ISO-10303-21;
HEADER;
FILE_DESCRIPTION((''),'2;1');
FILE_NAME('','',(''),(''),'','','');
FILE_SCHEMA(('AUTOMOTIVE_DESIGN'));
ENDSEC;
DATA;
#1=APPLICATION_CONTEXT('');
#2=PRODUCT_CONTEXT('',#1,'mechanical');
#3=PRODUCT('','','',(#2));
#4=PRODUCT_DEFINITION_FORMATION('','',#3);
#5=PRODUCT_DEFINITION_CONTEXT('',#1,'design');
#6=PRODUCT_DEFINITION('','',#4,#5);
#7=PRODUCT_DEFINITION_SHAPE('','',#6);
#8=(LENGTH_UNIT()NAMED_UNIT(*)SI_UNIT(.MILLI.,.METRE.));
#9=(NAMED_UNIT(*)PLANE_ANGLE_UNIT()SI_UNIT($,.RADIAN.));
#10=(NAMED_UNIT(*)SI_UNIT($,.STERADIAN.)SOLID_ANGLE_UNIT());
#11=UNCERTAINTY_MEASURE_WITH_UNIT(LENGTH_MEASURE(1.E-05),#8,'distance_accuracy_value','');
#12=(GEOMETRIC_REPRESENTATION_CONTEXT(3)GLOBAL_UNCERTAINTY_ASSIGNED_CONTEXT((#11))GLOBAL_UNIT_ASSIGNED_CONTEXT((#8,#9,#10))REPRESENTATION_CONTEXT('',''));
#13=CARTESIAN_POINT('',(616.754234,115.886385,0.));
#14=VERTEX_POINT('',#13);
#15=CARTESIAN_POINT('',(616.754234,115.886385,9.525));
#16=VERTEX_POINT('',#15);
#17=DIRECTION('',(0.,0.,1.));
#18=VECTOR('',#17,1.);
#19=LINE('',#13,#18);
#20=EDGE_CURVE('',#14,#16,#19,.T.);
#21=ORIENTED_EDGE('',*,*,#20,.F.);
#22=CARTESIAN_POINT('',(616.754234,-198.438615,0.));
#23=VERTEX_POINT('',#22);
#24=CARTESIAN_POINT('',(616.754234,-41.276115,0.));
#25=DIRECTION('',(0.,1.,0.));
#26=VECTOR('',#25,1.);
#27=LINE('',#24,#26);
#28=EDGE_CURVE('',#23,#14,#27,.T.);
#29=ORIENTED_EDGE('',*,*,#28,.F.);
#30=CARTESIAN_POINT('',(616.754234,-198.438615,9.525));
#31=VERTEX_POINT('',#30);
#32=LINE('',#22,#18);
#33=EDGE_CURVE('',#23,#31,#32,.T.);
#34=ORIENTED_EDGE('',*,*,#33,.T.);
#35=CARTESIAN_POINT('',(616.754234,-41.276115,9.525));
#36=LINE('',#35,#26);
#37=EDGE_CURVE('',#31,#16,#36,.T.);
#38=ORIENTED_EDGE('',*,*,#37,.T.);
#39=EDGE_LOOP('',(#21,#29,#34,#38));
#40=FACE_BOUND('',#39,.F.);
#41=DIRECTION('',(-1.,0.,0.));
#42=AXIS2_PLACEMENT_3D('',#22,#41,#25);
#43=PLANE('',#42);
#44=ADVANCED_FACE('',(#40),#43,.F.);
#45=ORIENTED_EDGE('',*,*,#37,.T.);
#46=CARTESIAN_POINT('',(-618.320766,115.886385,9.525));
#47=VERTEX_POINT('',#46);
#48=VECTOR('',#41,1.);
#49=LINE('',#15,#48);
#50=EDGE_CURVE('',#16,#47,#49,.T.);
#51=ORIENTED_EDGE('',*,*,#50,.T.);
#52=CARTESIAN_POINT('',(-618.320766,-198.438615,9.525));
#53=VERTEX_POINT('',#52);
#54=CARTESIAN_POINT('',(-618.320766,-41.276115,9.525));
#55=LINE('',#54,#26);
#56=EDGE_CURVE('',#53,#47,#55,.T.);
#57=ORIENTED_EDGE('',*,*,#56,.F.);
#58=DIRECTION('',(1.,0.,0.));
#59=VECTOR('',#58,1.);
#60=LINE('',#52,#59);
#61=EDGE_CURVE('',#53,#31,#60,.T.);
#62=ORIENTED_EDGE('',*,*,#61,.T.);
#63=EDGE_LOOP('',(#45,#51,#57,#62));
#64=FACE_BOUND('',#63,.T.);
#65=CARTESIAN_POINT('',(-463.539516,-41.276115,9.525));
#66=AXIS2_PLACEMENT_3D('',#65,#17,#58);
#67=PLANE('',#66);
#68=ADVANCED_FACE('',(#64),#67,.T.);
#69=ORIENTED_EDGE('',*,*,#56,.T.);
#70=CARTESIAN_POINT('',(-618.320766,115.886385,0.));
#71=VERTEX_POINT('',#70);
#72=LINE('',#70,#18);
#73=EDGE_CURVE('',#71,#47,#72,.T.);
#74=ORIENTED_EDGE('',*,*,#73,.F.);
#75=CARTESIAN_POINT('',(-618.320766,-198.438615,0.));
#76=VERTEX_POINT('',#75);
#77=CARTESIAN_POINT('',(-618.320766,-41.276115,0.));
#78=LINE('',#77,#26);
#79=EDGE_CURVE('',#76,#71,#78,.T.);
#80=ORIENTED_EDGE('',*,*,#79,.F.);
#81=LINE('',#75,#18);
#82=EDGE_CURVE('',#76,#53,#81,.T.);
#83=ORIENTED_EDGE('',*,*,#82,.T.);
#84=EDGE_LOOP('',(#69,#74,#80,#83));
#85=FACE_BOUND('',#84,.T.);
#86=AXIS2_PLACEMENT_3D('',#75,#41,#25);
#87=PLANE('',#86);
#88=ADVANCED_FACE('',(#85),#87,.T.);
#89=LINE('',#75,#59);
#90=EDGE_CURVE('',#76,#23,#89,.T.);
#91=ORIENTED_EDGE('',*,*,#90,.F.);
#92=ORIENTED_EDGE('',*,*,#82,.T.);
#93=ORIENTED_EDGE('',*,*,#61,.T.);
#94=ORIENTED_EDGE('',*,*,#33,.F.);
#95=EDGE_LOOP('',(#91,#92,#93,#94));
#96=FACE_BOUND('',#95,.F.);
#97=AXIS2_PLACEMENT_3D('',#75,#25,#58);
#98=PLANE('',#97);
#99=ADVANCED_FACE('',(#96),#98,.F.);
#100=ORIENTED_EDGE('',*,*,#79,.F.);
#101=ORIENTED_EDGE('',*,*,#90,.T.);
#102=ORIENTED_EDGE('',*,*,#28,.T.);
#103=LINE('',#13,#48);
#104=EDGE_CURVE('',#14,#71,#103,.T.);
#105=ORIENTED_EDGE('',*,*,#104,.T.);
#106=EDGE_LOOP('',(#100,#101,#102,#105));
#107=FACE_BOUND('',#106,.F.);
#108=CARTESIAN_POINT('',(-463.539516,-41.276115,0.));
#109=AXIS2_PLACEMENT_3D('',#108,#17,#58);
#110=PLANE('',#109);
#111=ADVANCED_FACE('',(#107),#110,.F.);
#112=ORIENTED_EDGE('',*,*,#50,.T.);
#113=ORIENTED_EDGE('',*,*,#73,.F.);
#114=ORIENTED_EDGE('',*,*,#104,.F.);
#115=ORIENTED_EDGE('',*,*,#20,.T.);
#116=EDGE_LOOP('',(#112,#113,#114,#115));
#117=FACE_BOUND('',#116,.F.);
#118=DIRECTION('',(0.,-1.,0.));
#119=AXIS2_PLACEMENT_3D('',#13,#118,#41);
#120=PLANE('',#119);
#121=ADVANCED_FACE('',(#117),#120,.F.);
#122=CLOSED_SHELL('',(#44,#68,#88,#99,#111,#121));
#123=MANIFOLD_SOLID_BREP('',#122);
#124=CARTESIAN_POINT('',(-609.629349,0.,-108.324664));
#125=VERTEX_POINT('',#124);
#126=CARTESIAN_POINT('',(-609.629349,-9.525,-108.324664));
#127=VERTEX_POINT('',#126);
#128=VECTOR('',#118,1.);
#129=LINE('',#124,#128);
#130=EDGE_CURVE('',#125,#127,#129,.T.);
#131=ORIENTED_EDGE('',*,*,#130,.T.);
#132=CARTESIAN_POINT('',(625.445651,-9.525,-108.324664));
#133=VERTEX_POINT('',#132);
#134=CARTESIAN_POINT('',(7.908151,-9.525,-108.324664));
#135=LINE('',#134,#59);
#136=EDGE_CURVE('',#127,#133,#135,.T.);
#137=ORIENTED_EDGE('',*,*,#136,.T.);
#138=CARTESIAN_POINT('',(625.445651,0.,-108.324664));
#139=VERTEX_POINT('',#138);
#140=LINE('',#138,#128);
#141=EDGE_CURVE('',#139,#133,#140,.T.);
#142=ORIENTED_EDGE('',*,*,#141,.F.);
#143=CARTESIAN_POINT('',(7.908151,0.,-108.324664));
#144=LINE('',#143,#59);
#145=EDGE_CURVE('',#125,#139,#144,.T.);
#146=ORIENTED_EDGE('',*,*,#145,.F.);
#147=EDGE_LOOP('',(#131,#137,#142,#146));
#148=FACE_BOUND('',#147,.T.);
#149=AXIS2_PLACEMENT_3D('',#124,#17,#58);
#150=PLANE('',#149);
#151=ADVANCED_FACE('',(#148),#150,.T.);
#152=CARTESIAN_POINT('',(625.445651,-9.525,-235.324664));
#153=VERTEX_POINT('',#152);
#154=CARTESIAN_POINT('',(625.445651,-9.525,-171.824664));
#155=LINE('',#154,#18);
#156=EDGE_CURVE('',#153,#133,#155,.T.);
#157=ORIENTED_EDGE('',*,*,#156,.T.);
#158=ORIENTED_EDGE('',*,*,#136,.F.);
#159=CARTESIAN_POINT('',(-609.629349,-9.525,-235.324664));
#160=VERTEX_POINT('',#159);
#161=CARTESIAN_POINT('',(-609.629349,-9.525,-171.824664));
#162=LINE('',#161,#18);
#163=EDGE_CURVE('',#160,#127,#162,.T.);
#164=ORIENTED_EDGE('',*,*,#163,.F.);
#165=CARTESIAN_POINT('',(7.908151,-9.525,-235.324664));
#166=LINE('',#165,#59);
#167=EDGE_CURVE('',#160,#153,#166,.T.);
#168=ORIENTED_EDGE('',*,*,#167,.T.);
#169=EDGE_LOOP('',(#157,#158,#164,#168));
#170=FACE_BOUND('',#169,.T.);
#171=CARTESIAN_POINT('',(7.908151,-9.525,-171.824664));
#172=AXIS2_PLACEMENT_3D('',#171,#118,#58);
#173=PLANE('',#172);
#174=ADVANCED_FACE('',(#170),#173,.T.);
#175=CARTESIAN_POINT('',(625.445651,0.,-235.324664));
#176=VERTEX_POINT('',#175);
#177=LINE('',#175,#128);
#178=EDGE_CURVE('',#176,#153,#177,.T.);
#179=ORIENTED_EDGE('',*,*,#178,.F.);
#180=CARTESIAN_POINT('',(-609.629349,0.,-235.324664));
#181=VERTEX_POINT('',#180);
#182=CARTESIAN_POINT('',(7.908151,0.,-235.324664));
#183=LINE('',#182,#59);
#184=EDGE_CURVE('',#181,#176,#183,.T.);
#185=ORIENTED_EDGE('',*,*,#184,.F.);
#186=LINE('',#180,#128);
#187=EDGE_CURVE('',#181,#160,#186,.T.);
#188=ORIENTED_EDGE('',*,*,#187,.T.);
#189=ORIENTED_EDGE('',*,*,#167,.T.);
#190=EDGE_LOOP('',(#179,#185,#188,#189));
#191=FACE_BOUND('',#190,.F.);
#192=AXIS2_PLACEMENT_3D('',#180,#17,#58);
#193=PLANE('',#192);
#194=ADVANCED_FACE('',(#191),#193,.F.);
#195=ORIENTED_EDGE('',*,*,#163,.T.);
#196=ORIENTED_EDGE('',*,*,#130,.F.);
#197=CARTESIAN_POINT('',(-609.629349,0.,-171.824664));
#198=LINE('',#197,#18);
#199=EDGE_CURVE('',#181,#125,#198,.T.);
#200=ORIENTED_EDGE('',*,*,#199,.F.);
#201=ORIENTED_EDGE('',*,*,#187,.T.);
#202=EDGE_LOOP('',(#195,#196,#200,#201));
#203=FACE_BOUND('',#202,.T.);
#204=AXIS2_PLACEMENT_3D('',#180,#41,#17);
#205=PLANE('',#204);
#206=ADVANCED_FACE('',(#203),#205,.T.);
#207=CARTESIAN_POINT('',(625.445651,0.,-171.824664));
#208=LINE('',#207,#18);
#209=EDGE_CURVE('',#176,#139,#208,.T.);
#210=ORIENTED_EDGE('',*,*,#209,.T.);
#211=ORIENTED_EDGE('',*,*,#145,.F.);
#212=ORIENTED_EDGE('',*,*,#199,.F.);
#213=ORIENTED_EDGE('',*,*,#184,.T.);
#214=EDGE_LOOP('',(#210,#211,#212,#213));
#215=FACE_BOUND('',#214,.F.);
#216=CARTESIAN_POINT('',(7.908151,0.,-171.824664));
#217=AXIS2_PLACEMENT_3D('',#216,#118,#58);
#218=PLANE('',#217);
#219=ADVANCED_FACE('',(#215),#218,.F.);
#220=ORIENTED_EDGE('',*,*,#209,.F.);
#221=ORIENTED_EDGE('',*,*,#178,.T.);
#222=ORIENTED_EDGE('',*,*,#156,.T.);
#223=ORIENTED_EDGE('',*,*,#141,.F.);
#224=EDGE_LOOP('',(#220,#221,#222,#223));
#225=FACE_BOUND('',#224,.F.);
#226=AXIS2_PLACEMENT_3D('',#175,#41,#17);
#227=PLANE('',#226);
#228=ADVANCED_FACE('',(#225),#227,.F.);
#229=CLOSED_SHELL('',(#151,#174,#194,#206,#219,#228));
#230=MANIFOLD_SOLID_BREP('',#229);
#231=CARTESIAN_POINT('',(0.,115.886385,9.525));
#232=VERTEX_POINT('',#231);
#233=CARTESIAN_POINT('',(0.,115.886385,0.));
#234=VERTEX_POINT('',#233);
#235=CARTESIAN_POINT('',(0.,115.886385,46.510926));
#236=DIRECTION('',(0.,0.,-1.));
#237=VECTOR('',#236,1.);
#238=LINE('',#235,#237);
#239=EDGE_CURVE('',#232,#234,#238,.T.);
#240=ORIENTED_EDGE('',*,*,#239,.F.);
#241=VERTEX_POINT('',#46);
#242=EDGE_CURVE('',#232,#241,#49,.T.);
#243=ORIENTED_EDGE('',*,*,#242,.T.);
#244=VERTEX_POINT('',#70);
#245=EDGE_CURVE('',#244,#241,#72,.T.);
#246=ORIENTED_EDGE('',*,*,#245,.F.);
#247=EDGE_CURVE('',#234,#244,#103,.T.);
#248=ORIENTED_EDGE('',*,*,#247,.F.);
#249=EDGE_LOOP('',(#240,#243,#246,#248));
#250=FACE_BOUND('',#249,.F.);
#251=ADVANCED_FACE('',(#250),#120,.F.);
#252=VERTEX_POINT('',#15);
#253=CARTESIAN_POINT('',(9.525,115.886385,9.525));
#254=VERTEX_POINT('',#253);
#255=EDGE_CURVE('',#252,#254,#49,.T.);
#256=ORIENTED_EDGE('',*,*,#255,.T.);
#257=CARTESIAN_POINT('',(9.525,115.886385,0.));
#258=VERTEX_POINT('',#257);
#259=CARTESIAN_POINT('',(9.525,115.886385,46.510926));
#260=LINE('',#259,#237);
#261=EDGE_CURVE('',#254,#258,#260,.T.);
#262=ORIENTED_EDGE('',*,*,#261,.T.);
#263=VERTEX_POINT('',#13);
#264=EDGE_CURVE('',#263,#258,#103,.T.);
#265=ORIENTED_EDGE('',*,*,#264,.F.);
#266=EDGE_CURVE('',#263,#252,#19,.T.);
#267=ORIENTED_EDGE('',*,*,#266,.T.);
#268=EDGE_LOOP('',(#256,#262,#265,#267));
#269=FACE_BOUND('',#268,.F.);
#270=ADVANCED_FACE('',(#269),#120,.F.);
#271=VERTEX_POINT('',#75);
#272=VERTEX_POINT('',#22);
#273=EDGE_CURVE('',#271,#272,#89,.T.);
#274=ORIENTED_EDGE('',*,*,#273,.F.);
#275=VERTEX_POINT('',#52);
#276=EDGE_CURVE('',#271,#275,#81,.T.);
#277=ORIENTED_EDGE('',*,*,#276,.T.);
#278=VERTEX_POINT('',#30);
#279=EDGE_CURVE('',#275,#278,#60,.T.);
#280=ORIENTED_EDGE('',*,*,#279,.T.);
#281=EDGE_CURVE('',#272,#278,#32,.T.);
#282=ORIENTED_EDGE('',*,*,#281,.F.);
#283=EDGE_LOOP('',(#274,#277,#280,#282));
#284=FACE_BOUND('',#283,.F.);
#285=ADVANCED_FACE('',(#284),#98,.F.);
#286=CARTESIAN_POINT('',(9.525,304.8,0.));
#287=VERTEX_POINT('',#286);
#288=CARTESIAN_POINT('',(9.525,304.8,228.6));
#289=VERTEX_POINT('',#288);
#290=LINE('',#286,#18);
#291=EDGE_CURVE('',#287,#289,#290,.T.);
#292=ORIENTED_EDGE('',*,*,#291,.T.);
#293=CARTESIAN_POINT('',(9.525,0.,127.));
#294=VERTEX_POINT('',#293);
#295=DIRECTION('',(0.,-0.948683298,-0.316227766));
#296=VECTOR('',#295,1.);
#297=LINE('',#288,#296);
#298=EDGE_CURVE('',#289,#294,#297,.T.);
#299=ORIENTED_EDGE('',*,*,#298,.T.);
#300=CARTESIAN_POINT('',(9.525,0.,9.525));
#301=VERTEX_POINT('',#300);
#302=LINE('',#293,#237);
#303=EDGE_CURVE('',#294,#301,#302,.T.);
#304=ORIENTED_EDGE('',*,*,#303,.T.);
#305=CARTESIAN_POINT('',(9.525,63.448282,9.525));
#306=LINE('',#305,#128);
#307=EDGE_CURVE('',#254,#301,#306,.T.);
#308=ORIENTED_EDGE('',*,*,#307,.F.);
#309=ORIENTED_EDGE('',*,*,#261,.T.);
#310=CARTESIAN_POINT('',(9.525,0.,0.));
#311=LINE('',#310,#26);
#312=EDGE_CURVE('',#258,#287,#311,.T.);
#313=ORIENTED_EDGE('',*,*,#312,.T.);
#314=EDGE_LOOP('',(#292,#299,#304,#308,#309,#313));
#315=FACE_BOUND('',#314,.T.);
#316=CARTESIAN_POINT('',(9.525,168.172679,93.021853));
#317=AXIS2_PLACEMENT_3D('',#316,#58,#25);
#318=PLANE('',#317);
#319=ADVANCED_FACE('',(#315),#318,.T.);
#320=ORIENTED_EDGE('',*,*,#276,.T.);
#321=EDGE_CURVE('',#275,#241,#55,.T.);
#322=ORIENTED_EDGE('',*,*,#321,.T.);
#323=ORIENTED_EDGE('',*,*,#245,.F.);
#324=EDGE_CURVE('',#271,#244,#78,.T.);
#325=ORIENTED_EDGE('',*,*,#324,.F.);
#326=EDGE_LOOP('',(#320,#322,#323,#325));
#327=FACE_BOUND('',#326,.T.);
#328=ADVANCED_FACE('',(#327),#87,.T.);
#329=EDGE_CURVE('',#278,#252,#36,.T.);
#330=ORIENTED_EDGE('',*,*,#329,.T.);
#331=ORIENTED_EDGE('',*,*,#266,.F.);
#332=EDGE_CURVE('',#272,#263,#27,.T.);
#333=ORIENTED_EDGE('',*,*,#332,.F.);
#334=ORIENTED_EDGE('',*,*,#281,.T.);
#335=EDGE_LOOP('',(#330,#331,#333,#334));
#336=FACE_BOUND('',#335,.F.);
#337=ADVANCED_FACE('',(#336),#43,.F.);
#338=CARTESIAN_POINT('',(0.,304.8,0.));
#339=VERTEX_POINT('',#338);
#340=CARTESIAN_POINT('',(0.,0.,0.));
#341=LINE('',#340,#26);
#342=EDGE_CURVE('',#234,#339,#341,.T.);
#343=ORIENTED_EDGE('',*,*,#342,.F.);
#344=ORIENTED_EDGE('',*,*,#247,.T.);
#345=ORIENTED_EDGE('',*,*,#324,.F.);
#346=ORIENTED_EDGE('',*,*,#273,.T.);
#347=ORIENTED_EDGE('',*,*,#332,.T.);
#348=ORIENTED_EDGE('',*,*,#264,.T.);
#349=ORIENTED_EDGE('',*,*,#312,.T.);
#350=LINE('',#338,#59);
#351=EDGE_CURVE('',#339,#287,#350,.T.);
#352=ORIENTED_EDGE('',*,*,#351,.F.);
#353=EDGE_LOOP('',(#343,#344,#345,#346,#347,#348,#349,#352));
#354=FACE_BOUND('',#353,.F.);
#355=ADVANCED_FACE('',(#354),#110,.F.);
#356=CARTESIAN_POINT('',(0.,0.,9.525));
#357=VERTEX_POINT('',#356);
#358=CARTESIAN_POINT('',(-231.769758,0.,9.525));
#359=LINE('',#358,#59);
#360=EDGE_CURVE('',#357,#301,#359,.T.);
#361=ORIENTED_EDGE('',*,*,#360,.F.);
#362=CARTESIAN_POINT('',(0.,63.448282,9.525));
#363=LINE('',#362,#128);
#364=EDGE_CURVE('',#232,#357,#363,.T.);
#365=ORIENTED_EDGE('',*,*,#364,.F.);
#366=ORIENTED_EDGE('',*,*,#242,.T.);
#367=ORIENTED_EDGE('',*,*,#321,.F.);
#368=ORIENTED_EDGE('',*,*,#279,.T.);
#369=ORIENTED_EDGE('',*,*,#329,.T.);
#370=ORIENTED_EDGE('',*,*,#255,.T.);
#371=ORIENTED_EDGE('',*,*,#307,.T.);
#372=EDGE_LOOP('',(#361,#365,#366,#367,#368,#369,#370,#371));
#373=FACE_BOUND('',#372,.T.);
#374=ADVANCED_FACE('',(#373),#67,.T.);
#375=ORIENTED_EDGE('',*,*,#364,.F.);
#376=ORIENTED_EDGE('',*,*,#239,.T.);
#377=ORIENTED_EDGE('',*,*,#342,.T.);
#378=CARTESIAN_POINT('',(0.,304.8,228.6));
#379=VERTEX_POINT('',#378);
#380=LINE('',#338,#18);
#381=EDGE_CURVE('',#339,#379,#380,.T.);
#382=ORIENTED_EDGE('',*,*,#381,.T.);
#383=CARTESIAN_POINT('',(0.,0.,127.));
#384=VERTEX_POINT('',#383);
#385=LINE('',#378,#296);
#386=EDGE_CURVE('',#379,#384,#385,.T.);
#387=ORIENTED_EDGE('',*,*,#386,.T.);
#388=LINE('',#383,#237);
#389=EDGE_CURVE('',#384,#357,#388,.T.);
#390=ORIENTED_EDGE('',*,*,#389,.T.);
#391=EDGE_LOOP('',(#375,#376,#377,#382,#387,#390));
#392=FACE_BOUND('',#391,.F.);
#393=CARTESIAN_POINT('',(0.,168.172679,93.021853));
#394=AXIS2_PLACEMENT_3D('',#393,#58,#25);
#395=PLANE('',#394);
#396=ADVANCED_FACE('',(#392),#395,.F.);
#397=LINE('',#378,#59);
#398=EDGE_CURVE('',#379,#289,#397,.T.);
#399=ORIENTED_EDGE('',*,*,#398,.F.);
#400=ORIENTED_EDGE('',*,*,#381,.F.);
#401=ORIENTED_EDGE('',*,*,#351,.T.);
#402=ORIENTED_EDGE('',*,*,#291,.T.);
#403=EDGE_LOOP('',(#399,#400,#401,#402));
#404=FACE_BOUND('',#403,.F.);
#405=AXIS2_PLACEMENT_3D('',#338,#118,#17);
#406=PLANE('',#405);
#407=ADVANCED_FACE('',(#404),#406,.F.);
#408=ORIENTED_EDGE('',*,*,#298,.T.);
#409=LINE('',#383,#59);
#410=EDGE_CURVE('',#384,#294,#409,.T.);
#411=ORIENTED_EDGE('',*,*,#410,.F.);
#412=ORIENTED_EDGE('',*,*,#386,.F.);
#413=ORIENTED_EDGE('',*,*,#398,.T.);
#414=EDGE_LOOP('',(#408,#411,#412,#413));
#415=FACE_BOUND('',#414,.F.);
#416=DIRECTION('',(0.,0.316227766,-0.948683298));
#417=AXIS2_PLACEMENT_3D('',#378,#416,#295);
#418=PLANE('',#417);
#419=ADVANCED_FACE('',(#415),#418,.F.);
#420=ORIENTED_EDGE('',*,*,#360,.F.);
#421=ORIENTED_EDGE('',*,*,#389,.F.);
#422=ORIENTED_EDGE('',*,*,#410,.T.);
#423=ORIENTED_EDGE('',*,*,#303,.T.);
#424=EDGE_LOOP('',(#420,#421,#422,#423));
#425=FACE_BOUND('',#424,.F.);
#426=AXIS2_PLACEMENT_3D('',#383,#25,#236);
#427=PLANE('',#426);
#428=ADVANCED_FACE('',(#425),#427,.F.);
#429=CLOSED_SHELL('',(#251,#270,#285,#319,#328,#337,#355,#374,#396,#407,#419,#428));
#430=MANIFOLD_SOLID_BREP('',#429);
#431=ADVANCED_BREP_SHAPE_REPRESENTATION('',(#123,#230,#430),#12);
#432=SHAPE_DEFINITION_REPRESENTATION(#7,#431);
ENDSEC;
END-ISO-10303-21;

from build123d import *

# Parameters (mm, degrees)
F1_DEPTH = 9.525
F2_W     = 1235.075
F2_H     = 127
F3_DEPTH = 9.525
F4_W     = 309.5625
F4_H     = 314.325
F4_W_2   = 306.3875
F5_DEPTH = 9.525
F6_DEPTH = 9.525


with BuildPart() as f1:
    # F0 (on Right) → F1 (new body)
    with BuildSketch(Plane.YZ):
        Polygon((0, 127), (0, 0), (304.8, 0), (304.8, 228.6), align=None)
    extrude(amount=F1_DEPTH)

    # F4 (on Top) → F5 (join)
    with BuildSketch(Plane.XY):
        with Locations((-463.539516, -41.276115)):
            Rectangle(F4_W, F4_H)
        with Locations((-153.977016, -41.276115)):
            Rectangle(F4_W, F4_H)
        with Locations((155.585484, -41.276115)):
            Rectangle(F4_W, F4_H)
        with Locations((463.560484, -41.276115)):
            Rectangle(F4_W_2, F4_H)
    extrude(amount=F5_DEPTH)


with BuildPart() as f3:
    # F2 (on Front) → F3 (new body)
    with BuildSketch(Plane.XZ):
        with Locations((7.908151, -171.824664)):
            Rectangle(F2_W, F2_H)
    extrude(amount=F3_DEPTH)


with BuildPart() as f6:
    # F4 (on Top) → F6 (new body)
    with BuildSketch(Plane.XY):
        with Locations((-463.539516, -41.276115)):
            Rectangle(F4_W, F4_H)
        with Locations((-153.977016, -41.276115)):
            Rectangle(F4_W, F4_H)
        with Locations((155.585484, -41.276115)):
            Rectangle(F4_W, F4_H)
        with Locations((463.560484, -41.276115)):
            Rectangle(F4_W_2, F4_H)
    extrude(amount=F6_DEPTH)


solid = Compound([f1.part, f3.part, f6.part])
